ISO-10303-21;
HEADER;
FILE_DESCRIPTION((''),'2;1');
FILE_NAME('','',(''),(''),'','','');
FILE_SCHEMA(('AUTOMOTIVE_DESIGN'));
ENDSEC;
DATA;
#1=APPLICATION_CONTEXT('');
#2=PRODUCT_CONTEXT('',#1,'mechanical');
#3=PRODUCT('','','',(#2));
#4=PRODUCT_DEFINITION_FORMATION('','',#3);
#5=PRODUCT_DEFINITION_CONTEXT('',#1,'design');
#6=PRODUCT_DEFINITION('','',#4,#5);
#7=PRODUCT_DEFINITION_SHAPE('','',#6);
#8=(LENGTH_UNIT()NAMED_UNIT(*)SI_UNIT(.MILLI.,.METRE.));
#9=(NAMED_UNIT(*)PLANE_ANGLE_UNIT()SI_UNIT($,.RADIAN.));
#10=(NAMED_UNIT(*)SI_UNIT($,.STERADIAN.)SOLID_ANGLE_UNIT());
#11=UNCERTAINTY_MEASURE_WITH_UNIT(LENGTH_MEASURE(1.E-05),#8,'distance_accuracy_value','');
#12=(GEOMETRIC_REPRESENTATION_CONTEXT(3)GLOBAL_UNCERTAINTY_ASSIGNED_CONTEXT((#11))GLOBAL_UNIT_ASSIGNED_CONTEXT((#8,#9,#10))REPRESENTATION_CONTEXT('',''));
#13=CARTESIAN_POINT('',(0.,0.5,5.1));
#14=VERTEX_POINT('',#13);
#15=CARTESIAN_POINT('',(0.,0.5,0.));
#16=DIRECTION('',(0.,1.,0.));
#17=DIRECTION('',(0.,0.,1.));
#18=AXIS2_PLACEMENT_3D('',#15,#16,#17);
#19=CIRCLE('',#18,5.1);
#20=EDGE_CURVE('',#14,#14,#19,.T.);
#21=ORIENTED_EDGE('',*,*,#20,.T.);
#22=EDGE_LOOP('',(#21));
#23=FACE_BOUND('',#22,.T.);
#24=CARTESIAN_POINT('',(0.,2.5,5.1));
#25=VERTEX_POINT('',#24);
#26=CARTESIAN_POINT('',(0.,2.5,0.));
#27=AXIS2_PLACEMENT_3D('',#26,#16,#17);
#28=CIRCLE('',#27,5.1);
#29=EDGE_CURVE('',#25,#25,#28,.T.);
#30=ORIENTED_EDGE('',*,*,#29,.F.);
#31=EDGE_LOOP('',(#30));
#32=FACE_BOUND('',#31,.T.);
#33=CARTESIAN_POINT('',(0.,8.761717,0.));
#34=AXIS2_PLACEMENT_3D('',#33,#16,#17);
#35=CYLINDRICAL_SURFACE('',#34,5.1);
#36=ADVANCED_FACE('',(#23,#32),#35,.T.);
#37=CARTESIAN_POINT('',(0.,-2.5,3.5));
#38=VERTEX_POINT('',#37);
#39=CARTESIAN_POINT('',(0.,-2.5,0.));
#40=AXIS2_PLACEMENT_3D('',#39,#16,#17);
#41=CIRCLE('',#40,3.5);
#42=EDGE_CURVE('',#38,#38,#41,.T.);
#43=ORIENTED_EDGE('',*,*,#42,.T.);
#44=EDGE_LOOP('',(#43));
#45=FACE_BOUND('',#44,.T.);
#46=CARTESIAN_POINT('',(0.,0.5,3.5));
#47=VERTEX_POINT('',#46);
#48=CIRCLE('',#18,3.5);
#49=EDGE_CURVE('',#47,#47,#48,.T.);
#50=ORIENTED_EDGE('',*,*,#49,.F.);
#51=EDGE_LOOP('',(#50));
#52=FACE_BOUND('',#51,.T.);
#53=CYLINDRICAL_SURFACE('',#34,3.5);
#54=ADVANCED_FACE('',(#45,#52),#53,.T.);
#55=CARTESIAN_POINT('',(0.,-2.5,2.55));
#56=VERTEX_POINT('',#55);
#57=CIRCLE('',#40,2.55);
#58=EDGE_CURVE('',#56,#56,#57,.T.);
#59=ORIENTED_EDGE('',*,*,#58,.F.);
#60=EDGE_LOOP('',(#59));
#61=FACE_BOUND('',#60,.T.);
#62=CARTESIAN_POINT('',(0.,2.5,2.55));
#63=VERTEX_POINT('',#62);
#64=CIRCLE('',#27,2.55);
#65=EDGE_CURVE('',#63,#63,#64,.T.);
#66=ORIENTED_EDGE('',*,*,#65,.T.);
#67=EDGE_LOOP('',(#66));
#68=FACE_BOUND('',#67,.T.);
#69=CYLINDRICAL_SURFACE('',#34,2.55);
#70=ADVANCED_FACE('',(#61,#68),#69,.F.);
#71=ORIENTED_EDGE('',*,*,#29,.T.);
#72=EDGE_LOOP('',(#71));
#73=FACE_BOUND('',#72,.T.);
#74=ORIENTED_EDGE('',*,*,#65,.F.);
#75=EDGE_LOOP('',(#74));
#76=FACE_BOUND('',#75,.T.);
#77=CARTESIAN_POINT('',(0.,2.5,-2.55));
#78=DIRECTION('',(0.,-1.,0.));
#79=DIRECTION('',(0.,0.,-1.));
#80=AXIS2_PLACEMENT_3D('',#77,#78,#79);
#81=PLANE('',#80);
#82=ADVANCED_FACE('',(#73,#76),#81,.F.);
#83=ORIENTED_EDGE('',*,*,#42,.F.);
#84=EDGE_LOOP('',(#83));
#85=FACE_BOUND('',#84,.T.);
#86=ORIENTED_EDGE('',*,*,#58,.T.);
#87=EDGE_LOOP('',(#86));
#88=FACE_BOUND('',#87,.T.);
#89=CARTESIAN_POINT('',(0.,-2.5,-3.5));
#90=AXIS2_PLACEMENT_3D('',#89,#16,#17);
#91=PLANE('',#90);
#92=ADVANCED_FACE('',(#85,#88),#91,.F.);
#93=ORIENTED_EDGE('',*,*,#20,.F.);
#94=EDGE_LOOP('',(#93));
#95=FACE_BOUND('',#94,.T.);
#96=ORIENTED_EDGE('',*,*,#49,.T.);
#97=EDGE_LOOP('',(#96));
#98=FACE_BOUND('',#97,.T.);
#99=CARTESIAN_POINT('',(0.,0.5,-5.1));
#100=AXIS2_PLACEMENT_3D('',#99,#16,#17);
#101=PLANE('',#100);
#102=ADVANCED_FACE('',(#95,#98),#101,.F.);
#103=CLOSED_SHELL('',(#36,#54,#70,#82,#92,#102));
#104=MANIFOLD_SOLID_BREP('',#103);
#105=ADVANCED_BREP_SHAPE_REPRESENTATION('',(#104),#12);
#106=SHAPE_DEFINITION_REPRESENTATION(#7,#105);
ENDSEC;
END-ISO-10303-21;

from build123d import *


with BuildPart() as part:
    # Sketch1 → Revolve1 (revolve)
    with BuildSketch(Plane(origin=(0, 0, 0), x_dir=(0, 0, -1), z_dir=(1, 0, 0)), mode=Mode.PRIVATE) as revolve1_sk:
        Polygon((2.55, 2.5), (5.1, 2.5), (5.1, 0.5), (3.5, 0.5), (3.5, -2.5), (2.55, -2.5), align=None)
    revolve(revolve1_sk.sketch.rotate(Axis((0, 8.761716621, 0), (0, -1, 0)), 180), axis=Axis((0, 8.761716621, 0), (0, -1, 0)))


solid = part.part
